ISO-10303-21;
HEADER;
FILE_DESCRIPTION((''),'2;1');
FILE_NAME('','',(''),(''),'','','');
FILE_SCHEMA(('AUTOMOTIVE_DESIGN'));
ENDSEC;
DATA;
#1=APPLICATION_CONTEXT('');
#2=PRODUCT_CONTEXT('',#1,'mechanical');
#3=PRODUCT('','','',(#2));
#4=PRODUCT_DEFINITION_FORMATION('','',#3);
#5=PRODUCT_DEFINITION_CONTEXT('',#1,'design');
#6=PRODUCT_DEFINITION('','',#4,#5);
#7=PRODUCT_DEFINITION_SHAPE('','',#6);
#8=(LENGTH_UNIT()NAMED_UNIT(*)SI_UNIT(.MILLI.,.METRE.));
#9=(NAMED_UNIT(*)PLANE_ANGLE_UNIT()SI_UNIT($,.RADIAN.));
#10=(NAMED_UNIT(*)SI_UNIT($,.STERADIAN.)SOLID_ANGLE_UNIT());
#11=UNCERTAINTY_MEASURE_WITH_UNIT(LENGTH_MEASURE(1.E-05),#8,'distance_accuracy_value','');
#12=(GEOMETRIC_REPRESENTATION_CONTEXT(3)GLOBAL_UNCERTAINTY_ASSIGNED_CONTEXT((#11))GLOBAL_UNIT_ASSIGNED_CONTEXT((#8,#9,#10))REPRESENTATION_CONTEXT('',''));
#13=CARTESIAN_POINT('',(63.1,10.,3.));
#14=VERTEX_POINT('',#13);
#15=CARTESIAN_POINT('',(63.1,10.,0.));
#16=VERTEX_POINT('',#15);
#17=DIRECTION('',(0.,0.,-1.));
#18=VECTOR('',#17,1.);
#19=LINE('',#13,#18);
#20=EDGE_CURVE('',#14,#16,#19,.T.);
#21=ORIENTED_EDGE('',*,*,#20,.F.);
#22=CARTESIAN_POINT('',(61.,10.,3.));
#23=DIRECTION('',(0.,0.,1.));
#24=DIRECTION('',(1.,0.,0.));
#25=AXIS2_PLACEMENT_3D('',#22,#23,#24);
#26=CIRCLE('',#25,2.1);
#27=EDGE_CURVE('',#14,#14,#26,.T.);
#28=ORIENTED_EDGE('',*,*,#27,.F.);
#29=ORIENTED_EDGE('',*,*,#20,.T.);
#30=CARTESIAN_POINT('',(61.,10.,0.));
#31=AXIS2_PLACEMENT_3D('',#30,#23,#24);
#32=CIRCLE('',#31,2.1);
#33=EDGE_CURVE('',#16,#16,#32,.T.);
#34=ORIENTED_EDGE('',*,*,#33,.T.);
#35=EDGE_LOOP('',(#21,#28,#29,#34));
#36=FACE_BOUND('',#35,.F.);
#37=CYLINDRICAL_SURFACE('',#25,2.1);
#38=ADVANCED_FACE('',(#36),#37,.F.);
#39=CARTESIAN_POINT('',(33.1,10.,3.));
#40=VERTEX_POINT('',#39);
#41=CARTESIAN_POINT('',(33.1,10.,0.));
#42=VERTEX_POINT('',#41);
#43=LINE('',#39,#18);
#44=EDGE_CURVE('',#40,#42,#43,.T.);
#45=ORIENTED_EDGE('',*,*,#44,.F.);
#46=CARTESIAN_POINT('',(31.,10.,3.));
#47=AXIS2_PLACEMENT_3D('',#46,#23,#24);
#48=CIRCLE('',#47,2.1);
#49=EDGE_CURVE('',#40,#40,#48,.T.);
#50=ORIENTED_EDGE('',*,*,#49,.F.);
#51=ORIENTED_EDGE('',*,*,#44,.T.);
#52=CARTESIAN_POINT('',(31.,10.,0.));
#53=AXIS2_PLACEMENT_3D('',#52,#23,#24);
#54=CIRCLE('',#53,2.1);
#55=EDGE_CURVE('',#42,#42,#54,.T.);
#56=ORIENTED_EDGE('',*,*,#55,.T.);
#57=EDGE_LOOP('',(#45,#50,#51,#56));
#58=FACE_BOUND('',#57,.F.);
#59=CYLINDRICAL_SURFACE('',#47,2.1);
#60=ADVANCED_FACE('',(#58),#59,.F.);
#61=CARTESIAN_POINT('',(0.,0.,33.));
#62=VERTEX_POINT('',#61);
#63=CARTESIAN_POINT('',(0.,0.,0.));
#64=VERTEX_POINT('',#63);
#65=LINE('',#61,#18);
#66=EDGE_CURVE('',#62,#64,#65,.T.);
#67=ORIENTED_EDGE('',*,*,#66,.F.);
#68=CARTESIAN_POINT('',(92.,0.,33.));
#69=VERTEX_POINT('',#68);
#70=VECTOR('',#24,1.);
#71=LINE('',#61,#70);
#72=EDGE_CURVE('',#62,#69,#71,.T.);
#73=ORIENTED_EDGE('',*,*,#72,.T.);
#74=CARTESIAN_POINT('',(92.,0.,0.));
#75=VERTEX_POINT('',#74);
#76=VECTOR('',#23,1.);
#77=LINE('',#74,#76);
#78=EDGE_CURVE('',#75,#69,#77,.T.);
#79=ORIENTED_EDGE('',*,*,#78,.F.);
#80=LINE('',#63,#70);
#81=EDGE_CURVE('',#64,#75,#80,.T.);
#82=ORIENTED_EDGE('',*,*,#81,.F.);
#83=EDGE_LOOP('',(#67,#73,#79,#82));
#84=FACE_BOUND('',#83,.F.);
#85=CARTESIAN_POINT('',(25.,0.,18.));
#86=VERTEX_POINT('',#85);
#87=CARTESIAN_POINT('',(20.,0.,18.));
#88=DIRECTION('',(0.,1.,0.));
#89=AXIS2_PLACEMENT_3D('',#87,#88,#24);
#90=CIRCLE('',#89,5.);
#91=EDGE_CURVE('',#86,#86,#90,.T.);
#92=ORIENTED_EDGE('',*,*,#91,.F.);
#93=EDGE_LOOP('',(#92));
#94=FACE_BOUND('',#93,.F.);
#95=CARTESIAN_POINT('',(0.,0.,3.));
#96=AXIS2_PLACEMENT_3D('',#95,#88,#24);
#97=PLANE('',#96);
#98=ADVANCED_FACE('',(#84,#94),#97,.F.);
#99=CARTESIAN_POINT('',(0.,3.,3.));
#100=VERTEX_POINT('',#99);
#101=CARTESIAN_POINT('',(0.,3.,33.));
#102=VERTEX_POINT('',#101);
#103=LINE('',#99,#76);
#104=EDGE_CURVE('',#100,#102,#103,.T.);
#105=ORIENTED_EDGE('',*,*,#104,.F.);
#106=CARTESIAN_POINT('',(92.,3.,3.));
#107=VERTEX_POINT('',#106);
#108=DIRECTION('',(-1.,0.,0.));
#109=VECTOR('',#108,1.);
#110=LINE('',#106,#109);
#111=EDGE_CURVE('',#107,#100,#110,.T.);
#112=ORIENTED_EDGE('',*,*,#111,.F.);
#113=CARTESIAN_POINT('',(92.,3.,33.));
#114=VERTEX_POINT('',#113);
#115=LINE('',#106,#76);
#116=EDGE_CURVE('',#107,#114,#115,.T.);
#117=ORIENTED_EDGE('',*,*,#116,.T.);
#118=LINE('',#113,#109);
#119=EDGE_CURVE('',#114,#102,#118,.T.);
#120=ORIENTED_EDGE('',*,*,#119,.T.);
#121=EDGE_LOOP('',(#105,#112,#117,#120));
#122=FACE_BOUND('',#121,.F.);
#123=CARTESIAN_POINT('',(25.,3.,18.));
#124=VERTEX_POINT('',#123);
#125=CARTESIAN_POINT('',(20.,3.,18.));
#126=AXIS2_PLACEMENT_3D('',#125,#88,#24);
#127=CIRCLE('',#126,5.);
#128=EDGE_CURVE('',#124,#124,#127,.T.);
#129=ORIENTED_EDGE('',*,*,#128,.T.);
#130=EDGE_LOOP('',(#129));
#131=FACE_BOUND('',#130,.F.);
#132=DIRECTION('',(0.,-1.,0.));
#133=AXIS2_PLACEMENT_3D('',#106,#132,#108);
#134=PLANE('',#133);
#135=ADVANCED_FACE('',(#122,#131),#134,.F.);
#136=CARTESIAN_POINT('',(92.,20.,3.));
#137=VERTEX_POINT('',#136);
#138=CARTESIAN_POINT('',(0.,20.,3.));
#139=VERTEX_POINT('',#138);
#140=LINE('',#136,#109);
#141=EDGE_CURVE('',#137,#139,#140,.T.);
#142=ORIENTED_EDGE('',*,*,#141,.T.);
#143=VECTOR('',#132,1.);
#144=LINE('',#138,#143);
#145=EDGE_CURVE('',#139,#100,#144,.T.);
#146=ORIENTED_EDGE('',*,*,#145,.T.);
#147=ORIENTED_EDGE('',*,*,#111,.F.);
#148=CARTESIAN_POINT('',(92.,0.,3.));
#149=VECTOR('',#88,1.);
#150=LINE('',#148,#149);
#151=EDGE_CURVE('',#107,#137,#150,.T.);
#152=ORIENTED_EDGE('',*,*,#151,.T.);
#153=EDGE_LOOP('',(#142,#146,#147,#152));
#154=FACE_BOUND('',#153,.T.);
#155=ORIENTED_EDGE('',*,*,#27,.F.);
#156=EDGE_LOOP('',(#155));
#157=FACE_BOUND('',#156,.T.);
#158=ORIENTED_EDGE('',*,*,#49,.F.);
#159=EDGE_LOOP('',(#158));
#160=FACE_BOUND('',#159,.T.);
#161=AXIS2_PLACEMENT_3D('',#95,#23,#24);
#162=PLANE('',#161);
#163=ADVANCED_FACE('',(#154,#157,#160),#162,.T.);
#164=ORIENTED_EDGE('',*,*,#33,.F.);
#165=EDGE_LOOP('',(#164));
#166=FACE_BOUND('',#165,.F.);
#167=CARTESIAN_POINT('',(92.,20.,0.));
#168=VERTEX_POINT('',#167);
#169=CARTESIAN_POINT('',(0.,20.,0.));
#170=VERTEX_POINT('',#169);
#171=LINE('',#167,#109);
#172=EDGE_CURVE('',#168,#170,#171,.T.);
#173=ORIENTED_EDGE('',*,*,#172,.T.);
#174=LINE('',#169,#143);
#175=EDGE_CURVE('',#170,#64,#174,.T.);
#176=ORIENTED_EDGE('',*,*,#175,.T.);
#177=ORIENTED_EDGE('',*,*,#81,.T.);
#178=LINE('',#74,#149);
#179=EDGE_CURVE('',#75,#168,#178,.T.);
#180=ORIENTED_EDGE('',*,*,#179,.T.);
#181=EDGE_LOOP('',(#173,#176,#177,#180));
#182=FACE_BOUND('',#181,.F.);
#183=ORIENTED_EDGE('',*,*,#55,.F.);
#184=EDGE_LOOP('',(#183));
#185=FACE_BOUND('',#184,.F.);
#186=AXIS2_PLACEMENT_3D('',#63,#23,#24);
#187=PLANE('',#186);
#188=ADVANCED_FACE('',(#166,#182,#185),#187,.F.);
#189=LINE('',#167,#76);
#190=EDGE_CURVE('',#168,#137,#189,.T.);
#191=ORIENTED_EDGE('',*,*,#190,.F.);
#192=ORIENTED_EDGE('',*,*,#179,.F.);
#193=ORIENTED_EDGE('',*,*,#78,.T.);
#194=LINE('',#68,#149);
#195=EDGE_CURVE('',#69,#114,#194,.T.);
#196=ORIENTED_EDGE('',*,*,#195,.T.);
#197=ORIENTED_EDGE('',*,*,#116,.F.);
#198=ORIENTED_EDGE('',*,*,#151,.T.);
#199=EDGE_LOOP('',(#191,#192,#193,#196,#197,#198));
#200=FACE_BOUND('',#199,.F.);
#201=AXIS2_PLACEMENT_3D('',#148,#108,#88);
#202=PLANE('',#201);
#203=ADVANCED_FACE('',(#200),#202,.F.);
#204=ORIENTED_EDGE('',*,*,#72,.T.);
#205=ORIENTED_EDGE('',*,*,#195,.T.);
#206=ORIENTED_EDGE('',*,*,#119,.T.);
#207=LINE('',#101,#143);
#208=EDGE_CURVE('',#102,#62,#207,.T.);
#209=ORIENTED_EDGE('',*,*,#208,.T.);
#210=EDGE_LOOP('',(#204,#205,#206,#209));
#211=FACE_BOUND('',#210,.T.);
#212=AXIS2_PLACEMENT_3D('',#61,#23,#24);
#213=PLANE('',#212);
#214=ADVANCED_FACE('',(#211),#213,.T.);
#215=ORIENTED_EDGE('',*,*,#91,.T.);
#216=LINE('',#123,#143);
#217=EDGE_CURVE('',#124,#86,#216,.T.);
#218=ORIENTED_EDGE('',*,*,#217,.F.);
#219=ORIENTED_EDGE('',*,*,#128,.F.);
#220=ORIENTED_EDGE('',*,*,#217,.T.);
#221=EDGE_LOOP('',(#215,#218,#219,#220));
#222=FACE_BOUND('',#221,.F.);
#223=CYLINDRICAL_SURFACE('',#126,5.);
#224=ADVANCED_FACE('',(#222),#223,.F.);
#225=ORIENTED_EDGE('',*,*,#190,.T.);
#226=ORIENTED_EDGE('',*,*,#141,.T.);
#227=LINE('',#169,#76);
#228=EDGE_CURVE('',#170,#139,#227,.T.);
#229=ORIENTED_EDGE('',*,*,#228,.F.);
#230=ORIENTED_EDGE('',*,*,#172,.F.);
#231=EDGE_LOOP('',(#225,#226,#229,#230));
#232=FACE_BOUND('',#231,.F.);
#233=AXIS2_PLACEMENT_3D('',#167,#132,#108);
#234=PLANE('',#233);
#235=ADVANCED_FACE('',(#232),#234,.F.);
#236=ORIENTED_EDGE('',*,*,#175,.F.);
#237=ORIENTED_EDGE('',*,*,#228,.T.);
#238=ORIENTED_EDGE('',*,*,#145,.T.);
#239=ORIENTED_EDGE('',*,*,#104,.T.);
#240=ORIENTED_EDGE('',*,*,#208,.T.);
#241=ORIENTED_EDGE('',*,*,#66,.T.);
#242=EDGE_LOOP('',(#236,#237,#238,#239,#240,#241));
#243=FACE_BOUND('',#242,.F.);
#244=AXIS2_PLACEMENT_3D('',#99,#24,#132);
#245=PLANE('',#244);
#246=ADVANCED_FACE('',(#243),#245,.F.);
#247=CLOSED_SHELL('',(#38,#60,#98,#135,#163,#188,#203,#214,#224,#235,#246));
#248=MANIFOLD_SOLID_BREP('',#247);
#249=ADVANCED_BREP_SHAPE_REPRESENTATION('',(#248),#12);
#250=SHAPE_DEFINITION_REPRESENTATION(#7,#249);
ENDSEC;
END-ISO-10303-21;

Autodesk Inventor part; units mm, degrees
ref_plane "YZ Plane" through (0, 0, 0) normal (1, 0, 0) x (0, 1, 0)
ref_plane "XZ Plane" through (0, 0, 0) normal (0, 1, 0) x (-1, 0, 0)
ref_plane "XY Plane" through (0, 0, 0) normal (0, 0, 1) x (1, 0, 0)
sketch "Sketch1" plane through (0, 0, 0) normal (0, 0, 1) x (1, 0, 0)
  line L0 (0, 0) -> (92, 0)
  line L1 (92, 0) -> (92, 20)
  line L2 (92, 20) -> (0, 20)
  line L3 (0, 20) -> (0, 0)
  dimension "d0" = 92
  dimension "d1" = 20
extrude "Extrusion1" add sketch "Sketch1" along normal blind 3
sketch "Sketch2" plane through (0, 0, 3) normal (0, 0, 1) x (1, 0, 0)
  line L0 (0, 0) -> (92, 0) projected
  line L1 (92, 0) -> (92, 20) projected
  line L2 (92, 20) -> (0, 20) projected
  line L3 (0, 20) -> (0, 0) projected
  circle A0 centre (31, 10) radius 2.1
  circle A1 centre (61, 10) radius 2.1
  dimension "d5" = 4.2
  dimension "d6" = 31
  dimension "d7" = 10
  dimension "d8" = 10
  dimension "d9" = 31
  dimension "d10" = 4.2
extrude "Extrusion2" cut sketch "Sketch2" against normal up to next contours A0 | A1
sketch "Sketch3" plane through (0, 0, 3) normal (0, 0, 1) x (1, 0, 0)
  line L0 (92, 0) -> (92, 20) projected
  line L1 (0, 0) -> (92, 0)
  line L2 (92, 0) -> (92, 3)
  line L3 (92, 3) -> (0, 3)
  line L4 (0, 3) -> (0, 0)
  dimension "d13" = 3
extrude "Extrusion3" add sketch "Sketch3" along normal blind 30
sketch "Sketch4" plane through (0, 3, 3) normal (0, 1, 0) x (1, 0, 0)
  circle A0 centre (20, -15) radius 5
  line L0 (0, 0) -> (92, 0) projected
  line L1 (0, 0) -> (0, -30) projected
  line L2 (92, -30) -> (0, -30) projected
  line L3 (92, 0) -> (92, -30) projected
  point P0 (0, 3)
  dimension "d16" = 20
  dimension "d17" = 15
  dimension "d18" = 10
extrude "Extrusion4" cut sketch "Sketch4" against normal blind 30 contours A0
properties part number "EE_Base-Rod-Rev2"
